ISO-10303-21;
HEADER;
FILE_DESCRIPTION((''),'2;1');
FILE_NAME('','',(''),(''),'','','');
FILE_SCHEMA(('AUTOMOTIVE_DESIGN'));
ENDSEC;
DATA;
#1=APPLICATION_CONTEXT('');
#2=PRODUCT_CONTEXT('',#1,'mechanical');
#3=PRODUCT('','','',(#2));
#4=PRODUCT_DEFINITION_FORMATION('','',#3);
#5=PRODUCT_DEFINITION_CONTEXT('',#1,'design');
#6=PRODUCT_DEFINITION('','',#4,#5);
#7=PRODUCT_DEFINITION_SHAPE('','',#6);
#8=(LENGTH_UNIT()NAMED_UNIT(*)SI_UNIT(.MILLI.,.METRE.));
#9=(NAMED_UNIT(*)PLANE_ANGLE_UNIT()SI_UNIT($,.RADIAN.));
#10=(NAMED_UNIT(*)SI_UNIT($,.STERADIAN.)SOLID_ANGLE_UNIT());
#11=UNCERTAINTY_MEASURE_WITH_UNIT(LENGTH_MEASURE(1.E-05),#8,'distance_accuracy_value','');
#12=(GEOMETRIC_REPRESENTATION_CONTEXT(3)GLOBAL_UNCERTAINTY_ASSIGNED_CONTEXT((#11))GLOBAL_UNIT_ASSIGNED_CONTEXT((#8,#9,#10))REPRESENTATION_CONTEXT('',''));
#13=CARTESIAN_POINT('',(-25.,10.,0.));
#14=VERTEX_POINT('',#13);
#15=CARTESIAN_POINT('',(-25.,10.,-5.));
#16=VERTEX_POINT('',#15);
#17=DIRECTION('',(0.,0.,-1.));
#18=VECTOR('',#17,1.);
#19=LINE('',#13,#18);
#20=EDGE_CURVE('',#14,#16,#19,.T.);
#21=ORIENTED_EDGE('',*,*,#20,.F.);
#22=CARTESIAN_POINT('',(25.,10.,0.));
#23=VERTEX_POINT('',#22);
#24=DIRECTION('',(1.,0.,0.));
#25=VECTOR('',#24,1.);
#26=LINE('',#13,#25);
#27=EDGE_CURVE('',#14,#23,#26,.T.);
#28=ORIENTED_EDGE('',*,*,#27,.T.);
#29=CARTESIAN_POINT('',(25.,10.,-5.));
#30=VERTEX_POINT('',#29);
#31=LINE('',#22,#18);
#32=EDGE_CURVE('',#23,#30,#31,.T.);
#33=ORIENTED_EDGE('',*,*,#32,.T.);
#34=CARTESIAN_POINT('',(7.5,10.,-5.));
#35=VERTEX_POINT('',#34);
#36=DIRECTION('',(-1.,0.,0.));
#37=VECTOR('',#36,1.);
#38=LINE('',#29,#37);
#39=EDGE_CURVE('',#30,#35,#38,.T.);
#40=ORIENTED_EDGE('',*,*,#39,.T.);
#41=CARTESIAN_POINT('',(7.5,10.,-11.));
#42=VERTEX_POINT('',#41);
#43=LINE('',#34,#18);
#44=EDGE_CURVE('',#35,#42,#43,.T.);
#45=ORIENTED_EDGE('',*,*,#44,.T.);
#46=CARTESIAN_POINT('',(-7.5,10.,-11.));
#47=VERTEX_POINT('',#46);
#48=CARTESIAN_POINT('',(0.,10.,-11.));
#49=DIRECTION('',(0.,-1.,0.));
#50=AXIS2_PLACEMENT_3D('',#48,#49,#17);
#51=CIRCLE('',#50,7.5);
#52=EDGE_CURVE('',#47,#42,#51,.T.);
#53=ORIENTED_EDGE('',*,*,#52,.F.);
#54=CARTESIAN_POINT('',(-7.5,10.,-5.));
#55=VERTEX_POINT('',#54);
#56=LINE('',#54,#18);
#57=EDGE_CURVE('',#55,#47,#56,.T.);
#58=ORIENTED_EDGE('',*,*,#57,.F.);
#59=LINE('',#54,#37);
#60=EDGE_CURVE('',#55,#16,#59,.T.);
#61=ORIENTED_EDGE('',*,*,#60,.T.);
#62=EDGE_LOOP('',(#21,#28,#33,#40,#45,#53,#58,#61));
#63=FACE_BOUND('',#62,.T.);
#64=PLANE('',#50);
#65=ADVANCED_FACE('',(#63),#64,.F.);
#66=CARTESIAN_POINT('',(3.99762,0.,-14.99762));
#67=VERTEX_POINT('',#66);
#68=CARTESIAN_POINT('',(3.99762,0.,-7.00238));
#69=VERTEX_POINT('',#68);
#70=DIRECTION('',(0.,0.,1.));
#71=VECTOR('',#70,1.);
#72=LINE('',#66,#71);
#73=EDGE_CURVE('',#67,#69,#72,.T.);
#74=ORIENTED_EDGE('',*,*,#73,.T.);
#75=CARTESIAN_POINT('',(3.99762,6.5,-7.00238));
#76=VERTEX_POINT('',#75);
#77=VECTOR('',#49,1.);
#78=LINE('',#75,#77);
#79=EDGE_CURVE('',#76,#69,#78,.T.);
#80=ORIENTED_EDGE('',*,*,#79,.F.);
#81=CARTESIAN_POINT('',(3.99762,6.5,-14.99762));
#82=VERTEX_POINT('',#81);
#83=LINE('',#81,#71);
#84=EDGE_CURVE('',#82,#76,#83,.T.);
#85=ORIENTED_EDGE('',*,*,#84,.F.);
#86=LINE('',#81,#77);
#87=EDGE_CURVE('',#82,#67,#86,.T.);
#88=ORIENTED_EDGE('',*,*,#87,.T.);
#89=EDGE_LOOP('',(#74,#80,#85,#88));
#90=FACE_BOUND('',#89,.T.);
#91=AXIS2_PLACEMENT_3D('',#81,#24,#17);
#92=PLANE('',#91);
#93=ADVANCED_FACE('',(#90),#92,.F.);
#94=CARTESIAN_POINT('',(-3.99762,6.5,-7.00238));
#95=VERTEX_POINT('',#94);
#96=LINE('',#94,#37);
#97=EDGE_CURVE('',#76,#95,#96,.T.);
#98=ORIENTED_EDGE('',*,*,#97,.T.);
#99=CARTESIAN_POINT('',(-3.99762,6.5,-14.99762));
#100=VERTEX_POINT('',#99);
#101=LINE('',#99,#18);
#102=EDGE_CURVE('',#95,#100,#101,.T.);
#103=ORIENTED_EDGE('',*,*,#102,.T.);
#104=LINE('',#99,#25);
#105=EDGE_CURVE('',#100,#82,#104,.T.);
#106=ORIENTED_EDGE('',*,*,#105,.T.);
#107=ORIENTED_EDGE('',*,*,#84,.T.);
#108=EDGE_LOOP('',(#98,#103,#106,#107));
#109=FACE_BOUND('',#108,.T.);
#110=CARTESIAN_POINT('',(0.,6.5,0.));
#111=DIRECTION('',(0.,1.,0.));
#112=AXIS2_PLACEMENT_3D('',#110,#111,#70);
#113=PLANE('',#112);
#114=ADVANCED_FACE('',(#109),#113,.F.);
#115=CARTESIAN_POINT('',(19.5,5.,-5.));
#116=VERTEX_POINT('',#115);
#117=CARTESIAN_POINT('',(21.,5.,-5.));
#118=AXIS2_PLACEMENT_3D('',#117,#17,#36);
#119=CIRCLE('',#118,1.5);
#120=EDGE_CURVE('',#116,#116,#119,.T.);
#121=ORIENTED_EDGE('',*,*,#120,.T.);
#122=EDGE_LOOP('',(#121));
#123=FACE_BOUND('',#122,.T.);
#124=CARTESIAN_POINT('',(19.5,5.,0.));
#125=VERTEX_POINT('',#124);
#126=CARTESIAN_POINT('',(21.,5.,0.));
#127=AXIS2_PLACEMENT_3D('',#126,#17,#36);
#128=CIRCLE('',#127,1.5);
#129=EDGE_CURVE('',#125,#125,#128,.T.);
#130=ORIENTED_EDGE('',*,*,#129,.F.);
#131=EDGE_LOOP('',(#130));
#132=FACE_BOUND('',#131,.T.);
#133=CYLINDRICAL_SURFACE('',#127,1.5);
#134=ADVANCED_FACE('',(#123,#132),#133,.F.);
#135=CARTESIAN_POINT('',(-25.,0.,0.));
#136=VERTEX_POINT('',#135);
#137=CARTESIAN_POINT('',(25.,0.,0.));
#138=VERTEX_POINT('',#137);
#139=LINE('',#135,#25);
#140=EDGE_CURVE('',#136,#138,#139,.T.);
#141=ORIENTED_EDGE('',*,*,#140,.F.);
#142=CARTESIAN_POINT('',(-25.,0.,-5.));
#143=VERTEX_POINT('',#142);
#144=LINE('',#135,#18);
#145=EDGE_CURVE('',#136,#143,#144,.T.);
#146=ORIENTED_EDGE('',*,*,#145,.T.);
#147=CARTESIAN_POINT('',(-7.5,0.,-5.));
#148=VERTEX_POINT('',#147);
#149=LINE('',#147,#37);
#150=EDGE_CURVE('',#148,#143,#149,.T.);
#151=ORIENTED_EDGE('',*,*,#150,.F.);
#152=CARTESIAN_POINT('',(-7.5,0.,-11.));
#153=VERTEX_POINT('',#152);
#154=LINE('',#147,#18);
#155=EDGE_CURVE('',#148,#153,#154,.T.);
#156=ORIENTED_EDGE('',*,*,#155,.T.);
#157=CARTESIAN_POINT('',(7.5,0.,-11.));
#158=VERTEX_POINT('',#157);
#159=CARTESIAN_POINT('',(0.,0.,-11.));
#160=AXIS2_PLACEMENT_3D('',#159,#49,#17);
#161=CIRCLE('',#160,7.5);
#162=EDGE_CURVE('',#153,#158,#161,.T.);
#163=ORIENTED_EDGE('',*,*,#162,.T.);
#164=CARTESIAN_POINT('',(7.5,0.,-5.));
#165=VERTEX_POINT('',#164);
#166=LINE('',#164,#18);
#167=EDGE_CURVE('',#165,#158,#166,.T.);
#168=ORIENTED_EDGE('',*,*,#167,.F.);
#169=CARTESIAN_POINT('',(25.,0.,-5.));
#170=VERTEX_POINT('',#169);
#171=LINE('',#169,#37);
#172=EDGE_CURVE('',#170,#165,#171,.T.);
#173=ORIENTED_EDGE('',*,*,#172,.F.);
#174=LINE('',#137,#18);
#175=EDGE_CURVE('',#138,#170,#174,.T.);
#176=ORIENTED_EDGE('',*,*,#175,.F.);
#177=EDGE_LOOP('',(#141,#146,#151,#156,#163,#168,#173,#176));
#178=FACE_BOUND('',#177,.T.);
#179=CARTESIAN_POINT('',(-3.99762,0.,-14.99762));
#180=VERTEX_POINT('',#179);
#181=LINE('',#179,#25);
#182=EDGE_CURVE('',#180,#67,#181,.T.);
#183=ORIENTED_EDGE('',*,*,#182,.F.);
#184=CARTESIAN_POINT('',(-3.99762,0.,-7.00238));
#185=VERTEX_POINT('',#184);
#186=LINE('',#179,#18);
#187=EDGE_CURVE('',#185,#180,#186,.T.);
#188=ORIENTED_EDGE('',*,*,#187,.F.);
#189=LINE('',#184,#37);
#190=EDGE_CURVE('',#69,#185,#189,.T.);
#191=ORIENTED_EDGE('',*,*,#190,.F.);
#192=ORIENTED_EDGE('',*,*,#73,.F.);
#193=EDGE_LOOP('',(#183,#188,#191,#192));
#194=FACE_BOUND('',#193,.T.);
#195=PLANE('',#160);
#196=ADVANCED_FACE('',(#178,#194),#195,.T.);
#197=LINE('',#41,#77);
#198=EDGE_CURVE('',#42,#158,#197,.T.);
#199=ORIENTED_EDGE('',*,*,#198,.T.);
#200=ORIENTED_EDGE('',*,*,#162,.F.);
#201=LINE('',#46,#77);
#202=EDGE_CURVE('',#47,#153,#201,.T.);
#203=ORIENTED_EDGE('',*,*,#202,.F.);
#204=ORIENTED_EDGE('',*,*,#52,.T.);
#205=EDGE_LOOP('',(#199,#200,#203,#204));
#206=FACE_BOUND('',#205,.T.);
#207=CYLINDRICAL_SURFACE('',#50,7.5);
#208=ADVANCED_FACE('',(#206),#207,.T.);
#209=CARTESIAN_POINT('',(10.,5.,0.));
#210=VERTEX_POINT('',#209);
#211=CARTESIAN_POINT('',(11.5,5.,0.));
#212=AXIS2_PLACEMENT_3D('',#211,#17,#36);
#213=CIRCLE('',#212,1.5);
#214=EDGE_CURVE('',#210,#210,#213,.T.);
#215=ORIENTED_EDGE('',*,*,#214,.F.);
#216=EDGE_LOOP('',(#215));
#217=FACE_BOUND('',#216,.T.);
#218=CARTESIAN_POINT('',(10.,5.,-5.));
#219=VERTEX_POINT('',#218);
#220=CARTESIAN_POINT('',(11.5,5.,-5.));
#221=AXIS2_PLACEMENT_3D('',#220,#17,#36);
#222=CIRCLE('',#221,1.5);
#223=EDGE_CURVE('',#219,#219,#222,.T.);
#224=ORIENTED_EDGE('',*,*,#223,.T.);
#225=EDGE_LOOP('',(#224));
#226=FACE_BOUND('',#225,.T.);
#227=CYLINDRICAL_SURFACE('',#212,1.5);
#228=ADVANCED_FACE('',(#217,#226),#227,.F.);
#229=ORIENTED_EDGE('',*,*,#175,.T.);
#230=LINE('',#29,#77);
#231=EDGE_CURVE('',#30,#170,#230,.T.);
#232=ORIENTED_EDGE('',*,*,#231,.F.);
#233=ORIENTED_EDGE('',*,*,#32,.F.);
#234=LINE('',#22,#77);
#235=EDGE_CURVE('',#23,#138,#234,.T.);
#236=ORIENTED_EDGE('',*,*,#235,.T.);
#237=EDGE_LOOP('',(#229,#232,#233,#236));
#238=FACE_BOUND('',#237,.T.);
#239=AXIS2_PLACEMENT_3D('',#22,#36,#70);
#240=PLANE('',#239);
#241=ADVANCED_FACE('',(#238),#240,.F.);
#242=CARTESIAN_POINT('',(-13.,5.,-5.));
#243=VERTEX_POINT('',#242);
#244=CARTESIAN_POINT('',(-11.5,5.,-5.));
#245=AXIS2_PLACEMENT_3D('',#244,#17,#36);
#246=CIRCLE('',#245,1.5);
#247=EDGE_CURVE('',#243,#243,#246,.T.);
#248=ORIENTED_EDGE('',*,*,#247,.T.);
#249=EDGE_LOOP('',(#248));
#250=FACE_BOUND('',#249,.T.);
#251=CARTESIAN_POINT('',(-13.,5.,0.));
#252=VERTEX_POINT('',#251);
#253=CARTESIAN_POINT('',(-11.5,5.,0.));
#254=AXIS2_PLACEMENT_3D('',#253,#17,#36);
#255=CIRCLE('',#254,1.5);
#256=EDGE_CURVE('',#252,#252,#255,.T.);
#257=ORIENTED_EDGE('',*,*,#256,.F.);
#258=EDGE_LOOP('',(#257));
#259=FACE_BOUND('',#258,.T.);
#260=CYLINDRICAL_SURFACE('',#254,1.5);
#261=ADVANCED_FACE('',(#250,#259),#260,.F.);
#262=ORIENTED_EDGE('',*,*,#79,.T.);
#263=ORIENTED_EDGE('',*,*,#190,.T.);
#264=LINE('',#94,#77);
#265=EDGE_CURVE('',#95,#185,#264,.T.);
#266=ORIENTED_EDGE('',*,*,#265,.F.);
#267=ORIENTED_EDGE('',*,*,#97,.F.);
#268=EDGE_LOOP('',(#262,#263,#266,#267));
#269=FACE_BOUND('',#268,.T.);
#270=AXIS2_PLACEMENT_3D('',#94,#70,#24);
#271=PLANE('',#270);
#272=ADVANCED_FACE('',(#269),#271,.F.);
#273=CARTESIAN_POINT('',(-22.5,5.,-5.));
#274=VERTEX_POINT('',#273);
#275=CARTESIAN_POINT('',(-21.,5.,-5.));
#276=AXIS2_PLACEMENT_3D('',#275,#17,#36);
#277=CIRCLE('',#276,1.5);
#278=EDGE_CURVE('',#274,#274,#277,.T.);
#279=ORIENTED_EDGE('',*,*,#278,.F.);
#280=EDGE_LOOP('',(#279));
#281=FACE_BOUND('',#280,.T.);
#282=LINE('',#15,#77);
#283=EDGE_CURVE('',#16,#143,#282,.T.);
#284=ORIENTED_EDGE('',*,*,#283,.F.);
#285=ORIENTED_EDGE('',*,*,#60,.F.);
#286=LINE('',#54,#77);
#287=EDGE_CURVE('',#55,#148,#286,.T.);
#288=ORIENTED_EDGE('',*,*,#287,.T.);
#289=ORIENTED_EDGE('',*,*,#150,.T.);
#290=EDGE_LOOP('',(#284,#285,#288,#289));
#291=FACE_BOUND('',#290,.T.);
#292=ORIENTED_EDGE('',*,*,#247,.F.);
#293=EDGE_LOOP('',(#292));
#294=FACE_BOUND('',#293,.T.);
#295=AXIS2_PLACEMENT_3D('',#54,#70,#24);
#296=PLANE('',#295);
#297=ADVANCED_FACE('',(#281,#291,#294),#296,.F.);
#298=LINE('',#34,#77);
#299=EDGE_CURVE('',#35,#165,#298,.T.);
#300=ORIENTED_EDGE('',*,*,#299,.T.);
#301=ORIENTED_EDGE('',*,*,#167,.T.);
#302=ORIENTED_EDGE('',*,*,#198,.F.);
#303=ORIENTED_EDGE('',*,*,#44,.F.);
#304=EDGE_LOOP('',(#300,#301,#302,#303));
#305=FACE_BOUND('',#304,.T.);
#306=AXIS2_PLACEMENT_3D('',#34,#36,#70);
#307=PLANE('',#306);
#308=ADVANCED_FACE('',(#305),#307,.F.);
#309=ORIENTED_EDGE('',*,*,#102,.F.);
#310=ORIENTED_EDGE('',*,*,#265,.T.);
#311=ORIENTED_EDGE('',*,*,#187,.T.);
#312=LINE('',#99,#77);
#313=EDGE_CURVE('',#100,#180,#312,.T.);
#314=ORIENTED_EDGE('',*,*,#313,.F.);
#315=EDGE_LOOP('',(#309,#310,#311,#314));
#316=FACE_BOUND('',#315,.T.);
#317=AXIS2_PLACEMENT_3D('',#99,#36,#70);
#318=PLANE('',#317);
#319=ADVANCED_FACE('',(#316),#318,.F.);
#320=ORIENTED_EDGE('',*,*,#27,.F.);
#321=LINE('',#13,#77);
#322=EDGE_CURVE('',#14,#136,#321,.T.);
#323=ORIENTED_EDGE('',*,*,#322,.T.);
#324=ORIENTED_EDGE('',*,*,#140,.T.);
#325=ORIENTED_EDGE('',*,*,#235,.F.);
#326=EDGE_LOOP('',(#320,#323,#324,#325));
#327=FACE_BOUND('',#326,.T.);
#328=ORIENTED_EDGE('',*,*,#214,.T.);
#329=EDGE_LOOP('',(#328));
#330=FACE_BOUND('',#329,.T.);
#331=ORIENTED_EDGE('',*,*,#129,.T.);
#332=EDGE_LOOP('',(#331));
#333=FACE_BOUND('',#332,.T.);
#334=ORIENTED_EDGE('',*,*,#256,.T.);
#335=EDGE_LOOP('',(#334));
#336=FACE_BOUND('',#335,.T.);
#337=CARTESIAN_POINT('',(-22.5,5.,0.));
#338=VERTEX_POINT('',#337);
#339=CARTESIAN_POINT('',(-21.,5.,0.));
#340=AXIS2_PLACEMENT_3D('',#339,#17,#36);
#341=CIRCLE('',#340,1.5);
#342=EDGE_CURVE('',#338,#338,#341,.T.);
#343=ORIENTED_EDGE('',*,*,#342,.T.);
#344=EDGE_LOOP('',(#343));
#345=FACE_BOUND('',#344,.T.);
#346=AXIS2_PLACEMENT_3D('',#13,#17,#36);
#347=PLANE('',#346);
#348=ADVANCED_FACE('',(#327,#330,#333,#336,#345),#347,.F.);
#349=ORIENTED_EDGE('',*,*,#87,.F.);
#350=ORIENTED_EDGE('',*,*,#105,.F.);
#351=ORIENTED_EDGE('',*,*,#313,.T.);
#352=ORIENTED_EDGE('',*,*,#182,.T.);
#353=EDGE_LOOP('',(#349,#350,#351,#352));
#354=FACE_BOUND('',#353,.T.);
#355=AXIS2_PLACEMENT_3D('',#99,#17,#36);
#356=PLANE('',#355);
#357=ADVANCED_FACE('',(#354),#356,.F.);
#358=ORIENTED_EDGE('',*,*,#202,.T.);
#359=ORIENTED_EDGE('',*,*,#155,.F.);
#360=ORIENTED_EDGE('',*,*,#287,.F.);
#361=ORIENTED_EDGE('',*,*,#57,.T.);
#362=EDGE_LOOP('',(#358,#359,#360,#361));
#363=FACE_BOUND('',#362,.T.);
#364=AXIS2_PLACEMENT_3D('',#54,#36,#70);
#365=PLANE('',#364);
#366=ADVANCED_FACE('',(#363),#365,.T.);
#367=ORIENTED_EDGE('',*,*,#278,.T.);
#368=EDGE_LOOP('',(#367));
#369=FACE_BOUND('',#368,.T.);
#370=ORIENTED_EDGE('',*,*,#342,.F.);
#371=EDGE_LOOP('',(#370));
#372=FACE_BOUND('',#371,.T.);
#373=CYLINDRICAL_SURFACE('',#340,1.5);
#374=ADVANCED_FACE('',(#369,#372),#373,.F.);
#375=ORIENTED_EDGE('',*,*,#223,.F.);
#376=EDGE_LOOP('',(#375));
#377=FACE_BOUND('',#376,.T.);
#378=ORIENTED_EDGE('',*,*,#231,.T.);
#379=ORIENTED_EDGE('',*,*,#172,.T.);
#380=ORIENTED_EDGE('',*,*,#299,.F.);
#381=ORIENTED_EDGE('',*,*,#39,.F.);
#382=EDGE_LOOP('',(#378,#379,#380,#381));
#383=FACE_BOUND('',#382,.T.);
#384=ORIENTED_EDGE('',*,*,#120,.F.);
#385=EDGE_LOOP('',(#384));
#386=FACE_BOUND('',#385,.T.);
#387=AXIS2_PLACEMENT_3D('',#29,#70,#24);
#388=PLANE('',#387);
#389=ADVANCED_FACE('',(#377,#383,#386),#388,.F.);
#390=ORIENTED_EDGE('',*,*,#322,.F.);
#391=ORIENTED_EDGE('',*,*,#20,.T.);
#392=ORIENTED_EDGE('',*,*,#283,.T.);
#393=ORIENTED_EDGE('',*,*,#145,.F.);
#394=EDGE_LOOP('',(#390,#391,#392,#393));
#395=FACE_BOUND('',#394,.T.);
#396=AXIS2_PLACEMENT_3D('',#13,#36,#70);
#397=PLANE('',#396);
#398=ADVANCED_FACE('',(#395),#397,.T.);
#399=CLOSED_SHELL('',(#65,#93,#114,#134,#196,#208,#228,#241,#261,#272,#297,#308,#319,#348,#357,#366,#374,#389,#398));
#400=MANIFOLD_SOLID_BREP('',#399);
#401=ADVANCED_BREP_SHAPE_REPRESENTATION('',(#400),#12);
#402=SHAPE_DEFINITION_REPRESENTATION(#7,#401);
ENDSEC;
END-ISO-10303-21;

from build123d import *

# Parameters (mm, degrees)
DODANIE_WYCI_GNI_CIE1_DEPTH = 10
SZKIC5_R                    = 1.5
WYTNIJ_WYCI_GNI_CIE2_DEPTH  = 5
SZKIC6_W                    = 7.995239892
SZKIC6_H                    = 7.995239892
WYTNIJ_WYCI_GNI_CIE3_DEPTH  = 6.5


with BuildPart() as part:
    # Szkic1 → Dodanie-wyciągnięcie1 (new body)
    with BuildSketch(Plane(origin=(0, 0, 0), x_dir=(1, 0, 0), z_dir=(0, 1, 0))):
        with BuildLine():
            Line((-25, 0), (25, 0))
            Line((25, 0), (25, 5))
            Line((25, 5), (7.5, 5))
            Line((7.5, 5), (7.5, 11))
            ThreePointArc((7.5, 11), (0, 18.5), (-7.5, 11))
            Line((-7.5, 11), (-7.5, 5))
            Line((-7.5, 5), (-25, 5))
            Line((-25, 5), (-25, 0))
        make_face()
    extrude(amount=DODANIE_WYCI_GNI_CIE1_DEPTH)

    # Szkic5 → Wytnij-wyciągnięcie2 (cut)
    with BuildSketch(Plane(origin=(0, 0, -5), x_dir=(-1, 0, 0), z_dir=(0, 0, -1))):
        with Locations((-21, 5)):
            Circle(SZKIC5_R)
        with Locations((-11.5, 5)):
            Circle(SZKIC5_R)
        with Locations((11.5, 5)):
            Circle(SZKIC5_R)
        with Locations((21, 5)):
            Circle(SZKIC5_R)
    extrude(amount=-WYTNIJ_WYCI_GNI_CIE2_DEPTH, mode=Mode.SUBTRACT)

    # Szkic6 → Wytnij-wyciągnięcie3 (cut)
    with BuildSketch(Plane.XZ):
        with Locations((0, -11)):
            Rectangle(SZKIC6_W, SZKIC6_H)
    extrude(amount=-WYTNIJ_WYCI_GNI_CIE3_DEPTH, mode=Mode.SUBTRACT)


solid = part.part
